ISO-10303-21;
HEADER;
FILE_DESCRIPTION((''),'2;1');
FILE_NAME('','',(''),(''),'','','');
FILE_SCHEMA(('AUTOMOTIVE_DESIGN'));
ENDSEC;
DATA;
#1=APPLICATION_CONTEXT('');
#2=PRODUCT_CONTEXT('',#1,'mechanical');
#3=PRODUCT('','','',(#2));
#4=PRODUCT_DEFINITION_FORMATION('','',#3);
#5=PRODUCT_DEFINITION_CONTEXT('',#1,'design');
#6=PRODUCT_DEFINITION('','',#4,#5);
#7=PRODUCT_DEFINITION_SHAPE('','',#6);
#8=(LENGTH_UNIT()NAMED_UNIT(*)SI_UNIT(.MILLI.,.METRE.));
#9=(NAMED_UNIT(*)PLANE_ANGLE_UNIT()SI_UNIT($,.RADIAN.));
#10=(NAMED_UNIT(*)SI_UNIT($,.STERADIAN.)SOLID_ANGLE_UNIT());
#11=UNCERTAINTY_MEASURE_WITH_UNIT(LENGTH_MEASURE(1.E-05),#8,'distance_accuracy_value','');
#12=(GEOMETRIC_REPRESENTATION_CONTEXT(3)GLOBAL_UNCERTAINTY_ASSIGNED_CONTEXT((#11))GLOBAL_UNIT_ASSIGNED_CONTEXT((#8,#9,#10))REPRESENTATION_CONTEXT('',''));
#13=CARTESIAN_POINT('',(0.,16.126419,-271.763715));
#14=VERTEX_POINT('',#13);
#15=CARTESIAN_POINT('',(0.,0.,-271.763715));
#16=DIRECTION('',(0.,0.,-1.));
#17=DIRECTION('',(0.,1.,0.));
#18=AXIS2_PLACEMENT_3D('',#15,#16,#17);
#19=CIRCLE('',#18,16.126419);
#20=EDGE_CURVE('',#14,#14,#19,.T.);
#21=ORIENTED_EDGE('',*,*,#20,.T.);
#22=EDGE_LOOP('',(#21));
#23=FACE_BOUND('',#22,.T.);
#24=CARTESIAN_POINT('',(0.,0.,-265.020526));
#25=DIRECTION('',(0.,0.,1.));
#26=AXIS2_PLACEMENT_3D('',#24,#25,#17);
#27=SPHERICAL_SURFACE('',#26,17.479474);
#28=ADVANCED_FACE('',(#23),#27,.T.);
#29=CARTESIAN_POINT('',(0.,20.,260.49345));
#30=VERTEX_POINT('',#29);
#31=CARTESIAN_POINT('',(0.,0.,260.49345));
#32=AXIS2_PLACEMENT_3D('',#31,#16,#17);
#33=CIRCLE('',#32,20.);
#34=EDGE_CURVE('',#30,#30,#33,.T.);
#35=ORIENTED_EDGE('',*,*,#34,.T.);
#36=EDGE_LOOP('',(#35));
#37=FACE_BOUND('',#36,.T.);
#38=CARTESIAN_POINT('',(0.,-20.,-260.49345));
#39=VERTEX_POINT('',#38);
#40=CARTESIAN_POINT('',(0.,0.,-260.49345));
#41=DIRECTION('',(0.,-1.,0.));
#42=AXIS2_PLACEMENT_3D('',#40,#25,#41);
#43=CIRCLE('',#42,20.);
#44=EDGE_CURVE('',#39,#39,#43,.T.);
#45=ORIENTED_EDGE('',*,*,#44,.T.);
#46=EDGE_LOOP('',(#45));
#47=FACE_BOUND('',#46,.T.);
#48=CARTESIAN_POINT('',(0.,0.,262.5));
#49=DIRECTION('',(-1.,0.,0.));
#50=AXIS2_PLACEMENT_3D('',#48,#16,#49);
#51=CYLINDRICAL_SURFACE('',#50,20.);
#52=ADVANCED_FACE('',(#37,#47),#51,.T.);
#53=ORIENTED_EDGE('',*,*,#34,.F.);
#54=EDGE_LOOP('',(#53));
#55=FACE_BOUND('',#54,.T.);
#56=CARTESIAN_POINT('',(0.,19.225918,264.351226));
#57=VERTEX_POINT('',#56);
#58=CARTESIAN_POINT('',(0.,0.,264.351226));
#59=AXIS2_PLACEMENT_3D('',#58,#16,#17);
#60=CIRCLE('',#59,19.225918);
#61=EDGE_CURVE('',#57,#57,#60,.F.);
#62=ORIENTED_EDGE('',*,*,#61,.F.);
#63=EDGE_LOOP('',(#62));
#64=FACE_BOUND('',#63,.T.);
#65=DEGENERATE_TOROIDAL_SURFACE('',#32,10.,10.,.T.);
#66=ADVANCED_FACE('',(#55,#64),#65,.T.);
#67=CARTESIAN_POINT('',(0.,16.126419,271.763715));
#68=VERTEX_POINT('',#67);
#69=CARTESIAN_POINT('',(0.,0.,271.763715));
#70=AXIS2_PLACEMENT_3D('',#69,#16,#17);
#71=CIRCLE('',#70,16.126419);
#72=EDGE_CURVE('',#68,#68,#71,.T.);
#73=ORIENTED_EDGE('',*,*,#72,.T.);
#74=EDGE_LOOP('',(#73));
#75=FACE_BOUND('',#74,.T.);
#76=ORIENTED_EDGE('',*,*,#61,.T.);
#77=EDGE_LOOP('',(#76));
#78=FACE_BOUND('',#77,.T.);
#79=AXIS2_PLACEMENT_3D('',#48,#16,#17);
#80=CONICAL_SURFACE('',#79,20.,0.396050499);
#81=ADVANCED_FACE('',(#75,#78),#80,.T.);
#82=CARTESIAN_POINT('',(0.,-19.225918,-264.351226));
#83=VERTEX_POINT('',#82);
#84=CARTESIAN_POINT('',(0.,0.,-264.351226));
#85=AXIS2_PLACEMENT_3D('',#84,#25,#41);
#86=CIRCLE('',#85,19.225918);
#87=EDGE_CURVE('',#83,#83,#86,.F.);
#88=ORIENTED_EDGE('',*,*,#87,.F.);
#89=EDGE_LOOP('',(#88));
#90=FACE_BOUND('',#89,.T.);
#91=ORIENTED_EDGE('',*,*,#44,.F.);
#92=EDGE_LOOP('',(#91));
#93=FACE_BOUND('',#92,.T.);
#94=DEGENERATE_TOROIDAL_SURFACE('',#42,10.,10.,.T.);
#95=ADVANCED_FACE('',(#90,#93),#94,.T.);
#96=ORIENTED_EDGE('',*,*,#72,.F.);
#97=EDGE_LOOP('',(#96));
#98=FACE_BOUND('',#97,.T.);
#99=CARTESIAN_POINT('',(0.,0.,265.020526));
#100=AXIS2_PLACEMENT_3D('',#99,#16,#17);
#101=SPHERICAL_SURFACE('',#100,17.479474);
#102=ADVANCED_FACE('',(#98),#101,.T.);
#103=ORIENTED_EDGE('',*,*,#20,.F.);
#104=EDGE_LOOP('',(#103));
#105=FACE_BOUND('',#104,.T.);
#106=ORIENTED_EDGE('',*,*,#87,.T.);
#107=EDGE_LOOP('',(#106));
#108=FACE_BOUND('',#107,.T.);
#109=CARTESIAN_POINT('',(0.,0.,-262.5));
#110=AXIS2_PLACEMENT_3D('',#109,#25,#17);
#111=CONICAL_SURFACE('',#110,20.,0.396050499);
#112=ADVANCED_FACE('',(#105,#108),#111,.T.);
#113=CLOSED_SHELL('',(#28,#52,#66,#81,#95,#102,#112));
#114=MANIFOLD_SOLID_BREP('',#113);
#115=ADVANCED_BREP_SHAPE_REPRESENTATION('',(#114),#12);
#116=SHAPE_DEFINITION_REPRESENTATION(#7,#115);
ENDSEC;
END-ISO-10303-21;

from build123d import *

# Parameters (mm, degrees)
SKETCH1_R           = 20
BOSS_EXTRUDE1_DEPTH = 262.5
FILLET1_R           = 10


with BuildPart() as part:
    # Sketch1 → Boss-Extrude1 (new body, symmetric)
    with BuildSketch(Plane.XY):
        Circle(SKETCH1_R)
    extrude(amount=BOSS_EXTRUDE1_DEPTH, both=True)

    # Sketch2 → Revolve1 (revolve)
    with BuildSketch(Plane(origin=(0, 0, 0), x_dir=(0, 0, -1), z_dir=(1, 0, 0))):
        with BuildLine():
            Line((-262.5, 20), (-262.5, 0))
            Line((-262.5, 0), (-282.5, 0))
            ThreePointArc((-282.5, 0), (-279.57043003, 9.686707526), (-271.763715382, 16.126419422))
            Line((-271.763715382, 16.126419422), (-262.5, 20))
        make_face()
    revolve1 = revolve(axis=Axis((0, 0, 262.5), (0, 0, 1)))

    # Mirror1: Revolve1 across plane
    add(revolve1.mirror(Plane.XY))

    # Fillet1
    fillet1_edges = [part.edges().sort_by_distance(p)[0] for p in [
        (14.142135624, 14.142135624, 262.5),
        (-14.142135624, -14.142135624, -262.5),
    ]]
    fillet(fillet1_edges, radius=FILLET1_R)


solid = part.part
